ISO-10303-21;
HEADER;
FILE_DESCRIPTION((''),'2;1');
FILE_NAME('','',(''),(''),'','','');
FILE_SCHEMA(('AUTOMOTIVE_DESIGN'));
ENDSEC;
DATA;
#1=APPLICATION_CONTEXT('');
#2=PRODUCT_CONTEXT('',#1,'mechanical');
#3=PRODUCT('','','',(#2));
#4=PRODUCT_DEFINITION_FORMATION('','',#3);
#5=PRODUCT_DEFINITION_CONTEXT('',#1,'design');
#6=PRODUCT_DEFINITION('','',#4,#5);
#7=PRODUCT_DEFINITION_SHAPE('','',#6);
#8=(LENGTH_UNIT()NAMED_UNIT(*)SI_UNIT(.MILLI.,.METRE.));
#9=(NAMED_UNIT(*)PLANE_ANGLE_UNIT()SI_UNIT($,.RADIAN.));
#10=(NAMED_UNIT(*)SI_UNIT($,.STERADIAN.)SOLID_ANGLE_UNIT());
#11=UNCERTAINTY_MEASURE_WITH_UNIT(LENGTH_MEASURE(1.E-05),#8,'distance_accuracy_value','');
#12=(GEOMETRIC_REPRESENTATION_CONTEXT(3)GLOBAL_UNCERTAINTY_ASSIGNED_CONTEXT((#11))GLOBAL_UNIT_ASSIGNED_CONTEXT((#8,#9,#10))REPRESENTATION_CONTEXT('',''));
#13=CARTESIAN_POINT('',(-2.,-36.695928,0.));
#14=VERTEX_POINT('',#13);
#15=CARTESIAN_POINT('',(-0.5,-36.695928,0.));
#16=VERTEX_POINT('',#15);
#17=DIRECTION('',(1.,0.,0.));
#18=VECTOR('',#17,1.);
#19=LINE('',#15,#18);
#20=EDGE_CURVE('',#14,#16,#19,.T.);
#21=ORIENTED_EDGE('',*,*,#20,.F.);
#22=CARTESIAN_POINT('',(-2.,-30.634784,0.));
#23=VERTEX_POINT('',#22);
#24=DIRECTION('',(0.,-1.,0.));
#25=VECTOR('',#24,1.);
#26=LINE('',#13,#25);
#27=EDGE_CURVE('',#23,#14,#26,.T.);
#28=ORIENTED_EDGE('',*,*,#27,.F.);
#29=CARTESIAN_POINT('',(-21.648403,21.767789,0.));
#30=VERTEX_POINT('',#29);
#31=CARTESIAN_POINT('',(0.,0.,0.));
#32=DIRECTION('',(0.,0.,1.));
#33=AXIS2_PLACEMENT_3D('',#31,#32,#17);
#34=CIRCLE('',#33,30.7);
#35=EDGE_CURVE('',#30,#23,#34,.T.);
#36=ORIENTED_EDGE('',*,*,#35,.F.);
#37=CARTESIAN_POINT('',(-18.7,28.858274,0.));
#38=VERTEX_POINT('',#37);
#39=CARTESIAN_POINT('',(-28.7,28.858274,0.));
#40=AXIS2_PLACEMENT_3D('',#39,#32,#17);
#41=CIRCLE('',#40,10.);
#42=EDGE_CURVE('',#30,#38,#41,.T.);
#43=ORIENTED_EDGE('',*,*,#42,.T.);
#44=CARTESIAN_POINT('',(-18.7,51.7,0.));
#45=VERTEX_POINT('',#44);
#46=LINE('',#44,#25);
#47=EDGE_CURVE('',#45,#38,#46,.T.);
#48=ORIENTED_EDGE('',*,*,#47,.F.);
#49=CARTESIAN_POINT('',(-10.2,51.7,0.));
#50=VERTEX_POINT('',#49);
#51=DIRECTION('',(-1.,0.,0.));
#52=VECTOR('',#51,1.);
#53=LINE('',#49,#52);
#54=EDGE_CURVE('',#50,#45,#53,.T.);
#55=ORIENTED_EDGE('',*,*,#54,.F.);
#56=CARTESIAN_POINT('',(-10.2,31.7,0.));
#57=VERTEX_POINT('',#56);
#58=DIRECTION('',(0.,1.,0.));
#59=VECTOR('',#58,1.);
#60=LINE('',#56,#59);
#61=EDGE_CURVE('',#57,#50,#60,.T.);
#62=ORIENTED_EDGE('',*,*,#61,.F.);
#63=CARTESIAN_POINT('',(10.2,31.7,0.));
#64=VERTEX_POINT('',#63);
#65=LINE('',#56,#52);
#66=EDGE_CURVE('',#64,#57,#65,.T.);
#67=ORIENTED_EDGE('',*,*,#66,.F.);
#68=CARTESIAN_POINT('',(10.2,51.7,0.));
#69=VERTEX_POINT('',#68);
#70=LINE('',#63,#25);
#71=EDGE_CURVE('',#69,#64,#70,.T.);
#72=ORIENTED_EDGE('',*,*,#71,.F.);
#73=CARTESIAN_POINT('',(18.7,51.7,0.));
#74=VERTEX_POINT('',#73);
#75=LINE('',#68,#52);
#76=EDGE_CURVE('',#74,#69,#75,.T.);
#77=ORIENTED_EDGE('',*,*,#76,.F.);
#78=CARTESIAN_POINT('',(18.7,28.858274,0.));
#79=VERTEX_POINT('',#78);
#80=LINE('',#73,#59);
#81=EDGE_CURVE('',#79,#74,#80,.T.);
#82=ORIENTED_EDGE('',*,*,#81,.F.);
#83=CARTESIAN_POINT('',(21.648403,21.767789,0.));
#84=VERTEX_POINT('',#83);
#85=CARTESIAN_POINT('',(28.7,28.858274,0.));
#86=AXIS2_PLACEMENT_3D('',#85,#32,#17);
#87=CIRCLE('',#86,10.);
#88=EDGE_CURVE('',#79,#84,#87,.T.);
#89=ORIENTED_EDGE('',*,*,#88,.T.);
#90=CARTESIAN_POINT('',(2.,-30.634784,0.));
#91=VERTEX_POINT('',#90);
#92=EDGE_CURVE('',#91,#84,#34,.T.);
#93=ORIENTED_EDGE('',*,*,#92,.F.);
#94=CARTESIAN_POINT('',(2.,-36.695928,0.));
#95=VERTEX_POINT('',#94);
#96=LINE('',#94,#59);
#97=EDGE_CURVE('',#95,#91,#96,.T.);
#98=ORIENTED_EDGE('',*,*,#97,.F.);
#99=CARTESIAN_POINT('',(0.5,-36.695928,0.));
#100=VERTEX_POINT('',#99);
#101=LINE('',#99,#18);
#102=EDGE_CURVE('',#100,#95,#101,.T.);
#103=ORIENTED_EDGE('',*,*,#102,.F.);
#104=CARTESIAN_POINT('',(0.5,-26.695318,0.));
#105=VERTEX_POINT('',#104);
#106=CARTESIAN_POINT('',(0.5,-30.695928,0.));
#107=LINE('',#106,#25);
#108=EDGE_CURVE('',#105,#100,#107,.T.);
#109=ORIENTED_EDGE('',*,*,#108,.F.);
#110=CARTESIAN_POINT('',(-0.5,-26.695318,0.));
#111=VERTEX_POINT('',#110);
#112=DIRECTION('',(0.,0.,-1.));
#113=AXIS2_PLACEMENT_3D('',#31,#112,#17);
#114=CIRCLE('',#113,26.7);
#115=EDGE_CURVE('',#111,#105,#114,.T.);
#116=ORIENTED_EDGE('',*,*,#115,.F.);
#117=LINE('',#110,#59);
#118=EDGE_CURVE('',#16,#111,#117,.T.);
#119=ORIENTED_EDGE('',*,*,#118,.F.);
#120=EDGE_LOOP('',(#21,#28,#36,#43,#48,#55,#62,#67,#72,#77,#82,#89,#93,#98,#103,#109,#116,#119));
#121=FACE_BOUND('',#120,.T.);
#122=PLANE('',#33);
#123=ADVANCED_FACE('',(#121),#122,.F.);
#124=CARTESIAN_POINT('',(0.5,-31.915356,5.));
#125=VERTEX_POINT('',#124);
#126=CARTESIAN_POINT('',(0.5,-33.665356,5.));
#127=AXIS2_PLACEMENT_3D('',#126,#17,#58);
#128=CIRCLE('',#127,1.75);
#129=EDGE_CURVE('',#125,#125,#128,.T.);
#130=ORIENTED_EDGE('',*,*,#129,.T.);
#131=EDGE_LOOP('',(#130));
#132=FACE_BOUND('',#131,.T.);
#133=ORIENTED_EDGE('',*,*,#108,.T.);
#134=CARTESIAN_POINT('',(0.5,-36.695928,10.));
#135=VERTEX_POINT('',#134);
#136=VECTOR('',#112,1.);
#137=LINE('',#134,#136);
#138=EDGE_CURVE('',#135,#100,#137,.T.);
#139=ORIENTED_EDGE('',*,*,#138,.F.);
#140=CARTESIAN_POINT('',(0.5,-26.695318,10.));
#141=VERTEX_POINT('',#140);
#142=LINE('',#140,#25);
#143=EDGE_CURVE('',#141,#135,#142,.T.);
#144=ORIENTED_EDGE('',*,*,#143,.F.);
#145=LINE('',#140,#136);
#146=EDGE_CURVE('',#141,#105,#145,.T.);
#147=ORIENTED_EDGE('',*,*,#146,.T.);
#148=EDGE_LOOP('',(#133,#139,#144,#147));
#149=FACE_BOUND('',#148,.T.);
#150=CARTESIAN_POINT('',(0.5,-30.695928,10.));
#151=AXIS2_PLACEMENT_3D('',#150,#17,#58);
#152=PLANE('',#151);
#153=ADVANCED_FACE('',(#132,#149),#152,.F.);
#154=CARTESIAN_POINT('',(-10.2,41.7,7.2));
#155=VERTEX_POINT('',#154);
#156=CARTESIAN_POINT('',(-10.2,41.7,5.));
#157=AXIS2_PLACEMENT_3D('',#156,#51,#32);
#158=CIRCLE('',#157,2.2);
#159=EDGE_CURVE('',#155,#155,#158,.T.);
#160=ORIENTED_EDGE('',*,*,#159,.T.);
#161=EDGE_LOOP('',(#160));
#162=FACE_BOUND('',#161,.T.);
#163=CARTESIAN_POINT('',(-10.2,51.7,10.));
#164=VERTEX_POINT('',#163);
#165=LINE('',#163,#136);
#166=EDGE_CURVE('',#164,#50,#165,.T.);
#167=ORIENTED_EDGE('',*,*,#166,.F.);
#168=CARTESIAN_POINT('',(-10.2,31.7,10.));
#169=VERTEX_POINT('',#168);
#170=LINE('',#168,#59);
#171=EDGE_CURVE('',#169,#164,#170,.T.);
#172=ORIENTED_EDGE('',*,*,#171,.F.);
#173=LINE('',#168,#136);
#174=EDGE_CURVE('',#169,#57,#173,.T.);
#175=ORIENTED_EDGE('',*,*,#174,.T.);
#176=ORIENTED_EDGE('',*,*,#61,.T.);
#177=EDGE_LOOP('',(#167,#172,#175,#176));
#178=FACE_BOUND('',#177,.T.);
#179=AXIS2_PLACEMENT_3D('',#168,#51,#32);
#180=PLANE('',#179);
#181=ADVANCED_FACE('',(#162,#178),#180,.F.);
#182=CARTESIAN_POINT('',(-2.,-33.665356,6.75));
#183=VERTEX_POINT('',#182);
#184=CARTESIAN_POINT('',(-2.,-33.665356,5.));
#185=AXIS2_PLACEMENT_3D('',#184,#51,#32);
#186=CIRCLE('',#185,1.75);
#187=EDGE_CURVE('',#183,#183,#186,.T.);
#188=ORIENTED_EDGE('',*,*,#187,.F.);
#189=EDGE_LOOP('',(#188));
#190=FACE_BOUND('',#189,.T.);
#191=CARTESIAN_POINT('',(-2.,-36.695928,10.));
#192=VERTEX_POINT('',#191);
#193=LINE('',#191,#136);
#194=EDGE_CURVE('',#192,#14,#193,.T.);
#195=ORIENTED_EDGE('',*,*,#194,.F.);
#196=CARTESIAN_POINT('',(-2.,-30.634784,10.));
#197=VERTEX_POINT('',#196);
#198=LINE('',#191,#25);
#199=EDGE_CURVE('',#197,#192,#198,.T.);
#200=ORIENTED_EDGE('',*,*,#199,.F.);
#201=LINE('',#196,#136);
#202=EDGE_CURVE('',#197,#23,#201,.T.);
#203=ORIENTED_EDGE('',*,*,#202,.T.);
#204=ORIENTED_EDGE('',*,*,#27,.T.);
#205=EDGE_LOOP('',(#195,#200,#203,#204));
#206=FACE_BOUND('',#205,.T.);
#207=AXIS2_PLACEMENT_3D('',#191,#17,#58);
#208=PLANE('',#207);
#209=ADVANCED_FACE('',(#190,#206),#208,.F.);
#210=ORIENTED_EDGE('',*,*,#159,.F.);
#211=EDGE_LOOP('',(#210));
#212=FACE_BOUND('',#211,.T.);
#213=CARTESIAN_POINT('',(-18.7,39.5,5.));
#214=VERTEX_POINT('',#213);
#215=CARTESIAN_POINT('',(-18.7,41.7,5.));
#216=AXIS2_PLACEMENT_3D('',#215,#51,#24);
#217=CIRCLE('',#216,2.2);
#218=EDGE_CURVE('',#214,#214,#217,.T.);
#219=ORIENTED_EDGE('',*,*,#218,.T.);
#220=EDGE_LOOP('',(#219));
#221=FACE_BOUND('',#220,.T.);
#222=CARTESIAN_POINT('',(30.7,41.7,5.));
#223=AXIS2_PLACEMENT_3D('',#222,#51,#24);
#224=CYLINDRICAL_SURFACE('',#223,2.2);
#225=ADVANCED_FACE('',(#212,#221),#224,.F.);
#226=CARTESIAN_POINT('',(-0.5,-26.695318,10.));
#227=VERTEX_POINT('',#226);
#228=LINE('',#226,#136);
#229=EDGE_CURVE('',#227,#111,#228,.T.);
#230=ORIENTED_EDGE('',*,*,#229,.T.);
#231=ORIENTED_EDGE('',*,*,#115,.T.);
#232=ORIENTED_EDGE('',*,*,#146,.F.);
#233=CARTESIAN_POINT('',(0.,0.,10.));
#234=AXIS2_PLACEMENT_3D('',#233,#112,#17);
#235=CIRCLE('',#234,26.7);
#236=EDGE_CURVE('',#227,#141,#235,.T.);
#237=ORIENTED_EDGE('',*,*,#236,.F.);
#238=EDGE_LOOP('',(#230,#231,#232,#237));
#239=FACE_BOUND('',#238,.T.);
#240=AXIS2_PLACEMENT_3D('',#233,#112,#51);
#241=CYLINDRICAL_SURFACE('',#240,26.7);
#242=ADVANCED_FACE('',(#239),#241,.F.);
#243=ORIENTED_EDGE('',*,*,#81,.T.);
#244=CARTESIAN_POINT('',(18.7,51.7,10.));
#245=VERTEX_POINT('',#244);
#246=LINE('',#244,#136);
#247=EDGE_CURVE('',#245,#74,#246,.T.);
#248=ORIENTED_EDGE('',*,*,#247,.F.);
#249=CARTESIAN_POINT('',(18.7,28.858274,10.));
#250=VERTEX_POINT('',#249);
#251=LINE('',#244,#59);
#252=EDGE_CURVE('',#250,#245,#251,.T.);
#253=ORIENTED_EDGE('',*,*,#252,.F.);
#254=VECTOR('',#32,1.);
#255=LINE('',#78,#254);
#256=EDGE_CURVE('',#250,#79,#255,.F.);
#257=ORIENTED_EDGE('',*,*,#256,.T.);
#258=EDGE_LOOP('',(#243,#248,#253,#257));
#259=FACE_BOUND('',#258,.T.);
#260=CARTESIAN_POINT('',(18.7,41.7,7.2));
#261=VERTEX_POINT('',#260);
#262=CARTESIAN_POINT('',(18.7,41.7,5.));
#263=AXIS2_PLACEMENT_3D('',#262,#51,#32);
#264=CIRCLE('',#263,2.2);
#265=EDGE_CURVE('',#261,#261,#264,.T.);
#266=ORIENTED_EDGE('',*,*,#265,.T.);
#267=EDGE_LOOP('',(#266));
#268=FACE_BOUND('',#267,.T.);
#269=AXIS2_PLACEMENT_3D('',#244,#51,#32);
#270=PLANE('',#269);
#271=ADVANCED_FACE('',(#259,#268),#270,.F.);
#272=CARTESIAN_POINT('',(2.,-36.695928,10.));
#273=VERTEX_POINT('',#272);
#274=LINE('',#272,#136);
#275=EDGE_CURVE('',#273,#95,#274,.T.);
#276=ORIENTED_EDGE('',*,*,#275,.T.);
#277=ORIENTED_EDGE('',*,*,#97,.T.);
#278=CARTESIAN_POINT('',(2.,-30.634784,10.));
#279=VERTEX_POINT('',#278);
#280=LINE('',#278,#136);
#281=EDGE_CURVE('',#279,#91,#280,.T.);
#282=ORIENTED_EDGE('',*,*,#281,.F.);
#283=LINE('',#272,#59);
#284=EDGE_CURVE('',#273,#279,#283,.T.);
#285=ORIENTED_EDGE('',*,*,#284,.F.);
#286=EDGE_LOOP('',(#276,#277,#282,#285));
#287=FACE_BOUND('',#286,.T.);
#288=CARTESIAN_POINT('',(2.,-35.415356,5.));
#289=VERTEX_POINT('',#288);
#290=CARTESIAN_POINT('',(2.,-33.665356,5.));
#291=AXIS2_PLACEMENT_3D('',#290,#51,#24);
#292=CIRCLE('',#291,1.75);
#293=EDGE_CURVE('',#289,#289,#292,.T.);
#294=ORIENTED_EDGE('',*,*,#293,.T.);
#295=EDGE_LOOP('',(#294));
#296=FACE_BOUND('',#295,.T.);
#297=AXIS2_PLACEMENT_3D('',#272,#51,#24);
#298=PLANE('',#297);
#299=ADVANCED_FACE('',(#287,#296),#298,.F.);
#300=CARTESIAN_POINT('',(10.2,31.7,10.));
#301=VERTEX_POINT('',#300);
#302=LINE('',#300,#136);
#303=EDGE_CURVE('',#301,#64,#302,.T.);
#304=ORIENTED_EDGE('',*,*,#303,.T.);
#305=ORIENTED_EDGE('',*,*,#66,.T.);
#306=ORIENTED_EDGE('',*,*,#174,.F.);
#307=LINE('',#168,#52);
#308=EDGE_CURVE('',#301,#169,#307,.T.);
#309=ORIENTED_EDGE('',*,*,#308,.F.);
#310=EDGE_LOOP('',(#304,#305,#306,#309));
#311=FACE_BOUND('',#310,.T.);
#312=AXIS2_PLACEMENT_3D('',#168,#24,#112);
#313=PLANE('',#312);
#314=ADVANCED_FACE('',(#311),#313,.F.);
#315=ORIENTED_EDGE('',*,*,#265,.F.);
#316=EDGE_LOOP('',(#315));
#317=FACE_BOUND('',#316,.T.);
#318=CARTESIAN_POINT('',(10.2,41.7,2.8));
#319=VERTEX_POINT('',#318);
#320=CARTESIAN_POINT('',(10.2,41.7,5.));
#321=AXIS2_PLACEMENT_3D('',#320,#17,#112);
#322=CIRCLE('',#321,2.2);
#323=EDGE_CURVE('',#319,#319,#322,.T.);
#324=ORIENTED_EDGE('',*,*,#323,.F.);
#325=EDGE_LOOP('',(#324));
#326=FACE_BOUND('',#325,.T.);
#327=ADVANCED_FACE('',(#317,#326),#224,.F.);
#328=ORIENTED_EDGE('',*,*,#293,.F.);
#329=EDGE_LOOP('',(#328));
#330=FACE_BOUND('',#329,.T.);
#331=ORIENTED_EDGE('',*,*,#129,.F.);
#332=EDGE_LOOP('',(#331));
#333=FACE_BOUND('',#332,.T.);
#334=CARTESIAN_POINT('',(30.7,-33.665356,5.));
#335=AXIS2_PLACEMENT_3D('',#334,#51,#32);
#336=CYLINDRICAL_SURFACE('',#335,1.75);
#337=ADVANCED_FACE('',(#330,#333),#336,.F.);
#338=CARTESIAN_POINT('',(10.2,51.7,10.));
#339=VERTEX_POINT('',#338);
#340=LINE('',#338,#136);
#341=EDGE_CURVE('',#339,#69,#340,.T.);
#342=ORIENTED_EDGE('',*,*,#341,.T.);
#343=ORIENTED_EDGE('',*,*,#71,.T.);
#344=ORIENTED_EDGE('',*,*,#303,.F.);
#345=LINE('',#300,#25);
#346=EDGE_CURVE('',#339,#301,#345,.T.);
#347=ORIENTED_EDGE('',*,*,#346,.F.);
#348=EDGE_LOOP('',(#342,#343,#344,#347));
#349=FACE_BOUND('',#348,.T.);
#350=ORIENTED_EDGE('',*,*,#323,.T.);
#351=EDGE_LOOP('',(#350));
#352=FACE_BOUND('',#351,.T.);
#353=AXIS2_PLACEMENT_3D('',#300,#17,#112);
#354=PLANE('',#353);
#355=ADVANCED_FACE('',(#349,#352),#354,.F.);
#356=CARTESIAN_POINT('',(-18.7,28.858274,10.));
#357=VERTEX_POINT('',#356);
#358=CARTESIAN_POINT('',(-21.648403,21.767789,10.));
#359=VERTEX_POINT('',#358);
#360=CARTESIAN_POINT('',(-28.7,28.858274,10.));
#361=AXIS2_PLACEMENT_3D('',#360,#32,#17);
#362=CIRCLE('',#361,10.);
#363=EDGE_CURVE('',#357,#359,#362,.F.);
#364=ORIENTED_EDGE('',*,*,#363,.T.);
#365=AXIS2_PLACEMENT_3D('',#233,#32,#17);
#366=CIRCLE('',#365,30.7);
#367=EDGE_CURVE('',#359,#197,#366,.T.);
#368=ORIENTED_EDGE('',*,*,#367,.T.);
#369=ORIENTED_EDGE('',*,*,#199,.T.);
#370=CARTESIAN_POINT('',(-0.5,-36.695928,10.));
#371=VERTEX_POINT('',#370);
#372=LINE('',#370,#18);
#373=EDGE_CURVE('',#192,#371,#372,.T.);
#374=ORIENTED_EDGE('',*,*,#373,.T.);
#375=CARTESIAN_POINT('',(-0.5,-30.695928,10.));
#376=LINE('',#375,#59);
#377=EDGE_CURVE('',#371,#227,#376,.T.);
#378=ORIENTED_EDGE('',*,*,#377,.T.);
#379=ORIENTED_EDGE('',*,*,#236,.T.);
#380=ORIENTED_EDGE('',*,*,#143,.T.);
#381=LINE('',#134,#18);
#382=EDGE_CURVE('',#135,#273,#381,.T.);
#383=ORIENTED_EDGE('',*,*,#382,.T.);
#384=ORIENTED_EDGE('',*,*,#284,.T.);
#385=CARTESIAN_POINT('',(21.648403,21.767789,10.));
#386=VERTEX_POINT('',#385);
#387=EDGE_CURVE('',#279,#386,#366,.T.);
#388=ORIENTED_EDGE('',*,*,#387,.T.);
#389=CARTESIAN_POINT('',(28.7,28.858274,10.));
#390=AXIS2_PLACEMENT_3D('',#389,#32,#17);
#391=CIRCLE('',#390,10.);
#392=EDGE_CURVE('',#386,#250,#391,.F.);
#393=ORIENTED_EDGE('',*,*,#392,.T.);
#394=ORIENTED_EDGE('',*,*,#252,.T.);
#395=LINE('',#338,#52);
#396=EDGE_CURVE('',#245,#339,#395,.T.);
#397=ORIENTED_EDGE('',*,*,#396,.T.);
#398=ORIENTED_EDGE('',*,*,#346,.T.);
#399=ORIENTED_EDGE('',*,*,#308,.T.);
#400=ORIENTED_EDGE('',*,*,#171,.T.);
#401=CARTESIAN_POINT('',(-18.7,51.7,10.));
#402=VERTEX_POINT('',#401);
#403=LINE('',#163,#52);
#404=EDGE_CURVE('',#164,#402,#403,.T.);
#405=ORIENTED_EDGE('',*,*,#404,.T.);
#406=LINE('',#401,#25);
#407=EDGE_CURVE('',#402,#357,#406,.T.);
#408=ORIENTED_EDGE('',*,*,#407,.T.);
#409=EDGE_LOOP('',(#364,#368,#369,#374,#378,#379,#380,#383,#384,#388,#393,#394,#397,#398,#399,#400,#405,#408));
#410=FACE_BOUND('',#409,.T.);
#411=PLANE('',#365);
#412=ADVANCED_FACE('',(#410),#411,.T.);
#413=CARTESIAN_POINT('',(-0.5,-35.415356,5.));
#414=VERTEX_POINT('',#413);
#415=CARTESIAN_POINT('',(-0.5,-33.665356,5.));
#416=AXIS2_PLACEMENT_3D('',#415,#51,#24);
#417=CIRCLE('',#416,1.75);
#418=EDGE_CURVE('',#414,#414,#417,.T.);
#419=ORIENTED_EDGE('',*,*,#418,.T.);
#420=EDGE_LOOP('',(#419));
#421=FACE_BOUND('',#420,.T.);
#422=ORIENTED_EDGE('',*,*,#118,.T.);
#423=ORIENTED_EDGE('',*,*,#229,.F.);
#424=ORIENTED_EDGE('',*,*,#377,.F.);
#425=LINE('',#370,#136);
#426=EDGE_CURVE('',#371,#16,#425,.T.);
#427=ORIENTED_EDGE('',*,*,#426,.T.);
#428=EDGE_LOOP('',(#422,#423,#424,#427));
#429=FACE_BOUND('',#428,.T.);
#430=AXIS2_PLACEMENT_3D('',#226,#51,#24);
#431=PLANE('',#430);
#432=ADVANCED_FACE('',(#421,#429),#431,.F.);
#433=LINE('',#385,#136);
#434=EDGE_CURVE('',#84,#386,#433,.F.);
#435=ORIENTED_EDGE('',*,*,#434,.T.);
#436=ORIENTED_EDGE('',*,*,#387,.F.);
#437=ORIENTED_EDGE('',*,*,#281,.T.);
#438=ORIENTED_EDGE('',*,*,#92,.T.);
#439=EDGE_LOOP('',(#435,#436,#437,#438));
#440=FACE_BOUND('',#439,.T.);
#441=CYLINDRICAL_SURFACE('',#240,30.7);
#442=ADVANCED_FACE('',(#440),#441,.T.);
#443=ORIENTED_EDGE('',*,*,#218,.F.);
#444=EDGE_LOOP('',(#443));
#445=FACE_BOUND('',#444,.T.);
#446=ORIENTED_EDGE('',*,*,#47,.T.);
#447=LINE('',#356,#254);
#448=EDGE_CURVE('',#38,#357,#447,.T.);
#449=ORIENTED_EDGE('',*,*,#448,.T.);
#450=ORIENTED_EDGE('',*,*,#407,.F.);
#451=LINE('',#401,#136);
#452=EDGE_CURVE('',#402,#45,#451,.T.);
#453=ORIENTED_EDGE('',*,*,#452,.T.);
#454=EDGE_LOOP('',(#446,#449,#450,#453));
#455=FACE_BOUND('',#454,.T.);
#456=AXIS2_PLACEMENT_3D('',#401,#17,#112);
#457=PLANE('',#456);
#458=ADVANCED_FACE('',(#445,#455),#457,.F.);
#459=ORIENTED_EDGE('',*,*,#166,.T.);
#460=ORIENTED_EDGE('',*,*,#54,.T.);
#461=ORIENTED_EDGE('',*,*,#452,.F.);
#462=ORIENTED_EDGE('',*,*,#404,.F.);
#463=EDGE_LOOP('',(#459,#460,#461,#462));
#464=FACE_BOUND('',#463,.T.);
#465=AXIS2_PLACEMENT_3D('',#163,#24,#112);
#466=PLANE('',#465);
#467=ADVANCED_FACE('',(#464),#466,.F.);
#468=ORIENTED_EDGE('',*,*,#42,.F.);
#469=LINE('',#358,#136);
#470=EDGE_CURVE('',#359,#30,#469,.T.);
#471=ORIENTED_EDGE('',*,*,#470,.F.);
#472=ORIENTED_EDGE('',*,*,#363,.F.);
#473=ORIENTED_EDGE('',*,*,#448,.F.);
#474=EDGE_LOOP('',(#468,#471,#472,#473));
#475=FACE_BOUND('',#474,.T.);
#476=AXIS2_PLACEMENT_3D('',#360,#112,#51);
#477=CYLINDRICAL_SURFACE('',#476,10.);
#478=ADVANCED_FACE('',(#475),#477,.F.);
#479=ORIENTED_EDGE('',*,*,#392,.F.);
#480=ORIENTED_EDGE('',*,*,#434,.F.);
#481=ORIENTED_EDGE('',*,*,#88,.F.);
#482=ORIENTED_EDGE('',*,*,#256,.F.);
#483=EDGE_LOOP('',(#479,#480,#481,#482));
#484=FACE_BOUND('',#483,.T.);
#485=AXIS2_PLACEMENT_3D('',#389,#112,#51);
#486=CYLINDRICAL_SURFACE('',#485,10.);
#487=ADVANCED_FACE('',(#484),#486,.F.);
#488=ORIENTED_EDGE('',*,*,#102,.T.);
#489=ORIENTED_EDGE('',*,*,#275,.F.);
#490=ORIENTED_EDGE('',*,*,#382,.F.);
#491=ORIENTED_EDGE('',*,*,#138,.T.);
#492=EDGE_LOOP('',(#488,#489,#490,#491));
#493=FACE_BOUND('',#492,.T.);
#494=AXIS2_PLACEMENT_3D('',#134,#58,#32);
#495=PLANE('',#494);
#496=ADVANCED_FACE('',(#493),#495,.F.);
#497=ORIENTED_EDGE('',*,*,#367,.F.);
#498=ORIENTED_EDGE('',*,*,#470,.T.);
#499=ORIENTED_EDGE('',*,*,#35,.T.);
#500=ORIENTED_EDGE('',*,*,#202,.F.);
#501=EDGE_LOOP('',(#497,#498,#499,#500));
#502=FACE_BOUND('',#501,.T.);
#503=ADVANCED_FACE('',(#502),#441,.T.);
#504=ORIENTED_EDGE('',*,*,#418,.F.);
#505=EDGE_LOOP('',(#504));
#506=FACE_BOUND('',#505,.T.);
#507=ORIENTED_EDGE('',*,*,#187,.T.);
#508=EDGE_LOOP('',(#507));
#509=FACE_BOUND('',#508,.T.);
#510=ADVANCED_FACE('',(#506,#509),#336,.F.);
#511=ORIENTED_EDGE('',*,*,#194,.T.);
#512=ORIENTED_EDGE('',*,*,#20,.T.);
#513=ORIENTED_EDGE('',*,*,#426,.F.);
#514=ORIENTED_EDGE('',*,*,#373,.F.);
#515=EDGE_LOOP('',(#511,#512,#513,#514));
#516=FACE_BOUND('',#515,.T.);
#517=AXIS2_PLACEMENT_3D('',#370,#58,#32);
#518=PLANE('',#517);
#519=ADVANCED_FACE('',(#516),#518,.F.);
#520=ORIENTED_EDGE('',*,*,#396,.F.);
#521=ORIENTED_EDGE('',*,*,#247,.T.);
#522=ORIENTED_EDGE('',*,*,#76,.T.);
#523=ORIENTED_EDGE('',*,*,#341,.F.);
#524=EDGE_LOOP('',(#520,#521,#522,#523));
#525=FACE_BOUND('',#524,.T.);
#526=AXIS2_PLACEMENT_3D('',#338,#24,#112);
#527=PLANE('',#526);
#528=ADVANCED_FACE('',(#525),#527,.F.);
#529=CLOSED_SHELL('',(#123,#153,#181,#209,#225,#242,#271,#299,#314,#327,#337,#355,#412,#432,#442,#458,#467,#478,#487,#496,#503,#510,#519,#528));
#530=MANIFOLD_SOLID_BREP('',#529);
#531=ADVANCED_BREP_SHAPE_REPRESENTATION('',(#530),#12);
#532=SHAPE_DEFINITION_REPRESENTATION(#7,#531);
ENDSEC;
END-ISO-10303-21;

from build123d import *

# Parameters (mm, degrees)
AUFSATZ_LINEAR_AUSTRAGEN1_DEPTH = 10
SKIZZE2_R                       = 1.75
SCHNITT_LINEAR_AUSTRAGEN1_DEPTH = 62.985320843
SKIZZE4_R                       = 2.2
SCHNITT_LINEAR_AUSTRAGEN3_DEPTH = 73.202839279
VERRUNDUNG1_R                   = 10


with BuildPart() as part:
    # Skizze1 → Aufsatz-Linear austragen1 (new body)
    with BuildSketch(Plane.XY):
        with BuildLine():
            Line((0.5, -26.695317942), (0.5, -30.695928069))
            Line((0.5, -30.695928069), (0.5, -36.695928069))
            Line((0.5, -36.695928069), (2, -36.695928069))
            Line((2, -36.695928069), (2, -30.634784151))
            ThreePointArc((2, -30.634784151), (29.374903671, -8.922165338), (18.7, 24.34748447))
            Line((18.7, 24.34748447), (18.7, 51.7))
            Line((18.7, 51.7), (10.2, 51.7))
            Line((10.2, 51.7), (10.2, 31.7))
            Line((10.2, 31.7), (-10.2, 31.7))
            Line((-10.2, 31.7), (-10.2, 51.7))
            Line((-10.2, 51.7), (-18.7, 51.7))
            Line((-18.7, 51.7), (-18.7, 24.34748447))
            ThreePointArc((-18.7, 24.34748447), (-29.374903671, -8.922165338), (-2, -30.634784151))
            Line((-2, -30.634784151), (-2, -36.695928069))
            Line((-2, -36.695928069), (-0.5, -36.695928069))
            Line((-0.5, -36.695928069), (-0.5, -30.695928069))
            Line((-0.5, -30.695928069), (-0.5, -26.695317942))
            ThreePointArc((-0.5, -26.695317942), (0, 26.7), (0.5, -26.695317942))
        make_face()
    extrude(amount=AUFSATZ_LINEAR_AUSTRAGEN1_DEPTH)

    # Skizze2 → Schnitt-Linear austragen1 (cut, through all)
    with BuildSketch(Plane.ZY.offset(2)):
        with Locations(Location((5, -33.66535611, 0), (0, 0, 90))):
            Circle(SKIZZE2_R)
    extrude(amount=-SCHNITT_LINEAR_AUSTRAGEN1_DEPTH, mode=Mode.SUBTRACT)

    # Skizze4 → Schnitt-Linear austragen3 (cut, through all)
    with BuildSketch(Plane.ZY.offset(18.7)):
        with Locations(Location((5, 41.7, 0), (0, 0, 270))):
            Circle(SKIZZE4_R)
    extrude(amount=-SCHNITT_LINEAR_AUSTRAGEN3_DEPTH, mode=Mode.SUBTRACT)

    # Verrundung1
    verrundung1_edges = [part.edges().sort_by_distance(p)[0] for p in [
        (-18.7, 24.34748447, 5),
        (18.7, 24.34748447, 5),
    ]]
    fillet(verrundung1_edges, radius=VERRUNDUNG1_R)


solid = part.part
